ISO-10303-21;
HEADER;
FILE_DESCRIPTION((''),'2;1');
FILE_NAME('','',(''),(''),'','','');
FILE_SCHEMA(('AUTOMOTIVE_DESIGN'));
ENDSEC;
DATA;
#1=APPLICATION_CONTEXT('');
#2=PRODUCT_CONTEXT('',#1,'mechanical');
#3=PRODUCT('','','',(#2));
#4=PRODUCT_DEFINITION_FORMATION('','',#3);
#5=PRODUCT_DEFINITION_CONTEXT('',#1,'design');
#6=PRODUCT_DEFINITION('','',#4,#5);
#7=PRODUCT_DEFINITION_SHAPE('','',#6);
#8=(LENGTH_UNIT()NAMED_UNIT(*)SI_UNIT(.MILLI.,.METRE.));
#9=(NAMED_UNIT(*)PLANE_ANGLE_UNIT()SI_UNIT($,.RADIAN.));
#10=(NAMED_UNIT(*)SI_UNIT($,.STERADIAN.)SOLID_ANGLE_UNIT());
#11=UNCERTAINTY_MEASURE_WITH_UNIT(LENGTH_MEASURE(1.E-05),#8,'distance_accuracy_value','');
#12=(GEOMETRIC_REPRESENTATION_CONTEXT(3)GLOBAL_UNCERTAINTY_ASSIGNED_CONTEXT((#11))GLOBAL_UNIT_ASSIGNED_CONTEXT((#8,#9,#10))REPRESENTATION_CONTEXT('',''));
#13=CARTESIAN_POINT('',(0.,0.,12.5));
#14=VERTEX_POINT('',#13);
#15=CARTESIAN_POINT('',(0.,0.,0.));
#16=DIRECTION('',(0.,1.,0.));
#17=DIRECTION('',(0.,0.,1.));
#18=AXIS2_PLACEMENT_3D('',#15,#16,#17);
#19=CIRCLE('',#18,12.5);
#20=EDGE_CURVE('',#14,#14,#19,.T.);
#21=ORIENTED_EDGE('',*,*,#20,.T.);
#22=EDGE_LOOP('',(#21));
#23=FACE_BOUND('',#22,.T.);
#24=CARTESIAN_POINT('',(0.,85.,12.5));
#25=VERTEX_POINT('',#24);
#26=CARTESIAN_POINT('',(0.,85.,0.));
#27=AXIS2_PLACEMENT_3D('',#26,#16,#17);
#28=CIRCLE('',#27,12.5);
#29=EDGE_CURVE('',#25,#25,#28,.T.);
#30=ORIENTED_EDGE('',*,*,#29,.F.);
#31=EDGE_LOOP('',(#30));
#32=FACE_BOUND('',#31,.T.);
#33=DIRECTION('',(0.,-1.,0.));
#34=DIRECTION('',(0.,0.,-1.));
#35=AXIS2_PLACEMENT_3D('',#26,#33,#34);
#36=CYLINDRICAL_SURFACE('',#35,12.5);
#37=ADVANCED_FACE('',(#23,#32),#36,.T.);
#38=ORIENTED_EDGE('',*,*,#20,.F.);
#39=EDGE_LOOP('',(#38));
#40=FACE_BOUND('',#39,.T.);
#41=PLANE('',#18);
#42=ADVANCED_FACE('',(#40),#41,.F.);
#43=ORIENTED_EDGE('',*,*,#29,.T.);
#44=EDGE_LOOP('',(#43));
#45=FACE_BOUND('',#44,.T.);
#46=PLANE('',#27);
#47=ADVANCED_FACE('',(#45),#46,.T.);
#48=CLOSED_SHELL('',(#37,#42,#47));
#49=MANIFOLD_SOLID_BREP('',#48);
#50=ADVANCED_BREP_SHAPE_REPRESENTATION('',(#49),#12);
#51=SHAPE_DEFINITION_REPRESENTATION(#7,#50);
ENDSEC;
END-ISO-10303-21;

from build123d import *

# Parameters (mm, degrees)
SKETCH1_R           = 12.5
BOSS_EXTRUDE1_DEPTH = 85


with BuildPart() as part:
    # Sketch1 → Boss-Extrude1 (new body)
    with BuildSketch(Plane(origin=(0, 0, 0), x_dir=(1, 0, 0), z_dir=(0, 1, 0))):
        Circle(SKETCH1_R)
    extrude(amount=BOSS_EXTRUDE1_DEPTH)


solid = part.part
